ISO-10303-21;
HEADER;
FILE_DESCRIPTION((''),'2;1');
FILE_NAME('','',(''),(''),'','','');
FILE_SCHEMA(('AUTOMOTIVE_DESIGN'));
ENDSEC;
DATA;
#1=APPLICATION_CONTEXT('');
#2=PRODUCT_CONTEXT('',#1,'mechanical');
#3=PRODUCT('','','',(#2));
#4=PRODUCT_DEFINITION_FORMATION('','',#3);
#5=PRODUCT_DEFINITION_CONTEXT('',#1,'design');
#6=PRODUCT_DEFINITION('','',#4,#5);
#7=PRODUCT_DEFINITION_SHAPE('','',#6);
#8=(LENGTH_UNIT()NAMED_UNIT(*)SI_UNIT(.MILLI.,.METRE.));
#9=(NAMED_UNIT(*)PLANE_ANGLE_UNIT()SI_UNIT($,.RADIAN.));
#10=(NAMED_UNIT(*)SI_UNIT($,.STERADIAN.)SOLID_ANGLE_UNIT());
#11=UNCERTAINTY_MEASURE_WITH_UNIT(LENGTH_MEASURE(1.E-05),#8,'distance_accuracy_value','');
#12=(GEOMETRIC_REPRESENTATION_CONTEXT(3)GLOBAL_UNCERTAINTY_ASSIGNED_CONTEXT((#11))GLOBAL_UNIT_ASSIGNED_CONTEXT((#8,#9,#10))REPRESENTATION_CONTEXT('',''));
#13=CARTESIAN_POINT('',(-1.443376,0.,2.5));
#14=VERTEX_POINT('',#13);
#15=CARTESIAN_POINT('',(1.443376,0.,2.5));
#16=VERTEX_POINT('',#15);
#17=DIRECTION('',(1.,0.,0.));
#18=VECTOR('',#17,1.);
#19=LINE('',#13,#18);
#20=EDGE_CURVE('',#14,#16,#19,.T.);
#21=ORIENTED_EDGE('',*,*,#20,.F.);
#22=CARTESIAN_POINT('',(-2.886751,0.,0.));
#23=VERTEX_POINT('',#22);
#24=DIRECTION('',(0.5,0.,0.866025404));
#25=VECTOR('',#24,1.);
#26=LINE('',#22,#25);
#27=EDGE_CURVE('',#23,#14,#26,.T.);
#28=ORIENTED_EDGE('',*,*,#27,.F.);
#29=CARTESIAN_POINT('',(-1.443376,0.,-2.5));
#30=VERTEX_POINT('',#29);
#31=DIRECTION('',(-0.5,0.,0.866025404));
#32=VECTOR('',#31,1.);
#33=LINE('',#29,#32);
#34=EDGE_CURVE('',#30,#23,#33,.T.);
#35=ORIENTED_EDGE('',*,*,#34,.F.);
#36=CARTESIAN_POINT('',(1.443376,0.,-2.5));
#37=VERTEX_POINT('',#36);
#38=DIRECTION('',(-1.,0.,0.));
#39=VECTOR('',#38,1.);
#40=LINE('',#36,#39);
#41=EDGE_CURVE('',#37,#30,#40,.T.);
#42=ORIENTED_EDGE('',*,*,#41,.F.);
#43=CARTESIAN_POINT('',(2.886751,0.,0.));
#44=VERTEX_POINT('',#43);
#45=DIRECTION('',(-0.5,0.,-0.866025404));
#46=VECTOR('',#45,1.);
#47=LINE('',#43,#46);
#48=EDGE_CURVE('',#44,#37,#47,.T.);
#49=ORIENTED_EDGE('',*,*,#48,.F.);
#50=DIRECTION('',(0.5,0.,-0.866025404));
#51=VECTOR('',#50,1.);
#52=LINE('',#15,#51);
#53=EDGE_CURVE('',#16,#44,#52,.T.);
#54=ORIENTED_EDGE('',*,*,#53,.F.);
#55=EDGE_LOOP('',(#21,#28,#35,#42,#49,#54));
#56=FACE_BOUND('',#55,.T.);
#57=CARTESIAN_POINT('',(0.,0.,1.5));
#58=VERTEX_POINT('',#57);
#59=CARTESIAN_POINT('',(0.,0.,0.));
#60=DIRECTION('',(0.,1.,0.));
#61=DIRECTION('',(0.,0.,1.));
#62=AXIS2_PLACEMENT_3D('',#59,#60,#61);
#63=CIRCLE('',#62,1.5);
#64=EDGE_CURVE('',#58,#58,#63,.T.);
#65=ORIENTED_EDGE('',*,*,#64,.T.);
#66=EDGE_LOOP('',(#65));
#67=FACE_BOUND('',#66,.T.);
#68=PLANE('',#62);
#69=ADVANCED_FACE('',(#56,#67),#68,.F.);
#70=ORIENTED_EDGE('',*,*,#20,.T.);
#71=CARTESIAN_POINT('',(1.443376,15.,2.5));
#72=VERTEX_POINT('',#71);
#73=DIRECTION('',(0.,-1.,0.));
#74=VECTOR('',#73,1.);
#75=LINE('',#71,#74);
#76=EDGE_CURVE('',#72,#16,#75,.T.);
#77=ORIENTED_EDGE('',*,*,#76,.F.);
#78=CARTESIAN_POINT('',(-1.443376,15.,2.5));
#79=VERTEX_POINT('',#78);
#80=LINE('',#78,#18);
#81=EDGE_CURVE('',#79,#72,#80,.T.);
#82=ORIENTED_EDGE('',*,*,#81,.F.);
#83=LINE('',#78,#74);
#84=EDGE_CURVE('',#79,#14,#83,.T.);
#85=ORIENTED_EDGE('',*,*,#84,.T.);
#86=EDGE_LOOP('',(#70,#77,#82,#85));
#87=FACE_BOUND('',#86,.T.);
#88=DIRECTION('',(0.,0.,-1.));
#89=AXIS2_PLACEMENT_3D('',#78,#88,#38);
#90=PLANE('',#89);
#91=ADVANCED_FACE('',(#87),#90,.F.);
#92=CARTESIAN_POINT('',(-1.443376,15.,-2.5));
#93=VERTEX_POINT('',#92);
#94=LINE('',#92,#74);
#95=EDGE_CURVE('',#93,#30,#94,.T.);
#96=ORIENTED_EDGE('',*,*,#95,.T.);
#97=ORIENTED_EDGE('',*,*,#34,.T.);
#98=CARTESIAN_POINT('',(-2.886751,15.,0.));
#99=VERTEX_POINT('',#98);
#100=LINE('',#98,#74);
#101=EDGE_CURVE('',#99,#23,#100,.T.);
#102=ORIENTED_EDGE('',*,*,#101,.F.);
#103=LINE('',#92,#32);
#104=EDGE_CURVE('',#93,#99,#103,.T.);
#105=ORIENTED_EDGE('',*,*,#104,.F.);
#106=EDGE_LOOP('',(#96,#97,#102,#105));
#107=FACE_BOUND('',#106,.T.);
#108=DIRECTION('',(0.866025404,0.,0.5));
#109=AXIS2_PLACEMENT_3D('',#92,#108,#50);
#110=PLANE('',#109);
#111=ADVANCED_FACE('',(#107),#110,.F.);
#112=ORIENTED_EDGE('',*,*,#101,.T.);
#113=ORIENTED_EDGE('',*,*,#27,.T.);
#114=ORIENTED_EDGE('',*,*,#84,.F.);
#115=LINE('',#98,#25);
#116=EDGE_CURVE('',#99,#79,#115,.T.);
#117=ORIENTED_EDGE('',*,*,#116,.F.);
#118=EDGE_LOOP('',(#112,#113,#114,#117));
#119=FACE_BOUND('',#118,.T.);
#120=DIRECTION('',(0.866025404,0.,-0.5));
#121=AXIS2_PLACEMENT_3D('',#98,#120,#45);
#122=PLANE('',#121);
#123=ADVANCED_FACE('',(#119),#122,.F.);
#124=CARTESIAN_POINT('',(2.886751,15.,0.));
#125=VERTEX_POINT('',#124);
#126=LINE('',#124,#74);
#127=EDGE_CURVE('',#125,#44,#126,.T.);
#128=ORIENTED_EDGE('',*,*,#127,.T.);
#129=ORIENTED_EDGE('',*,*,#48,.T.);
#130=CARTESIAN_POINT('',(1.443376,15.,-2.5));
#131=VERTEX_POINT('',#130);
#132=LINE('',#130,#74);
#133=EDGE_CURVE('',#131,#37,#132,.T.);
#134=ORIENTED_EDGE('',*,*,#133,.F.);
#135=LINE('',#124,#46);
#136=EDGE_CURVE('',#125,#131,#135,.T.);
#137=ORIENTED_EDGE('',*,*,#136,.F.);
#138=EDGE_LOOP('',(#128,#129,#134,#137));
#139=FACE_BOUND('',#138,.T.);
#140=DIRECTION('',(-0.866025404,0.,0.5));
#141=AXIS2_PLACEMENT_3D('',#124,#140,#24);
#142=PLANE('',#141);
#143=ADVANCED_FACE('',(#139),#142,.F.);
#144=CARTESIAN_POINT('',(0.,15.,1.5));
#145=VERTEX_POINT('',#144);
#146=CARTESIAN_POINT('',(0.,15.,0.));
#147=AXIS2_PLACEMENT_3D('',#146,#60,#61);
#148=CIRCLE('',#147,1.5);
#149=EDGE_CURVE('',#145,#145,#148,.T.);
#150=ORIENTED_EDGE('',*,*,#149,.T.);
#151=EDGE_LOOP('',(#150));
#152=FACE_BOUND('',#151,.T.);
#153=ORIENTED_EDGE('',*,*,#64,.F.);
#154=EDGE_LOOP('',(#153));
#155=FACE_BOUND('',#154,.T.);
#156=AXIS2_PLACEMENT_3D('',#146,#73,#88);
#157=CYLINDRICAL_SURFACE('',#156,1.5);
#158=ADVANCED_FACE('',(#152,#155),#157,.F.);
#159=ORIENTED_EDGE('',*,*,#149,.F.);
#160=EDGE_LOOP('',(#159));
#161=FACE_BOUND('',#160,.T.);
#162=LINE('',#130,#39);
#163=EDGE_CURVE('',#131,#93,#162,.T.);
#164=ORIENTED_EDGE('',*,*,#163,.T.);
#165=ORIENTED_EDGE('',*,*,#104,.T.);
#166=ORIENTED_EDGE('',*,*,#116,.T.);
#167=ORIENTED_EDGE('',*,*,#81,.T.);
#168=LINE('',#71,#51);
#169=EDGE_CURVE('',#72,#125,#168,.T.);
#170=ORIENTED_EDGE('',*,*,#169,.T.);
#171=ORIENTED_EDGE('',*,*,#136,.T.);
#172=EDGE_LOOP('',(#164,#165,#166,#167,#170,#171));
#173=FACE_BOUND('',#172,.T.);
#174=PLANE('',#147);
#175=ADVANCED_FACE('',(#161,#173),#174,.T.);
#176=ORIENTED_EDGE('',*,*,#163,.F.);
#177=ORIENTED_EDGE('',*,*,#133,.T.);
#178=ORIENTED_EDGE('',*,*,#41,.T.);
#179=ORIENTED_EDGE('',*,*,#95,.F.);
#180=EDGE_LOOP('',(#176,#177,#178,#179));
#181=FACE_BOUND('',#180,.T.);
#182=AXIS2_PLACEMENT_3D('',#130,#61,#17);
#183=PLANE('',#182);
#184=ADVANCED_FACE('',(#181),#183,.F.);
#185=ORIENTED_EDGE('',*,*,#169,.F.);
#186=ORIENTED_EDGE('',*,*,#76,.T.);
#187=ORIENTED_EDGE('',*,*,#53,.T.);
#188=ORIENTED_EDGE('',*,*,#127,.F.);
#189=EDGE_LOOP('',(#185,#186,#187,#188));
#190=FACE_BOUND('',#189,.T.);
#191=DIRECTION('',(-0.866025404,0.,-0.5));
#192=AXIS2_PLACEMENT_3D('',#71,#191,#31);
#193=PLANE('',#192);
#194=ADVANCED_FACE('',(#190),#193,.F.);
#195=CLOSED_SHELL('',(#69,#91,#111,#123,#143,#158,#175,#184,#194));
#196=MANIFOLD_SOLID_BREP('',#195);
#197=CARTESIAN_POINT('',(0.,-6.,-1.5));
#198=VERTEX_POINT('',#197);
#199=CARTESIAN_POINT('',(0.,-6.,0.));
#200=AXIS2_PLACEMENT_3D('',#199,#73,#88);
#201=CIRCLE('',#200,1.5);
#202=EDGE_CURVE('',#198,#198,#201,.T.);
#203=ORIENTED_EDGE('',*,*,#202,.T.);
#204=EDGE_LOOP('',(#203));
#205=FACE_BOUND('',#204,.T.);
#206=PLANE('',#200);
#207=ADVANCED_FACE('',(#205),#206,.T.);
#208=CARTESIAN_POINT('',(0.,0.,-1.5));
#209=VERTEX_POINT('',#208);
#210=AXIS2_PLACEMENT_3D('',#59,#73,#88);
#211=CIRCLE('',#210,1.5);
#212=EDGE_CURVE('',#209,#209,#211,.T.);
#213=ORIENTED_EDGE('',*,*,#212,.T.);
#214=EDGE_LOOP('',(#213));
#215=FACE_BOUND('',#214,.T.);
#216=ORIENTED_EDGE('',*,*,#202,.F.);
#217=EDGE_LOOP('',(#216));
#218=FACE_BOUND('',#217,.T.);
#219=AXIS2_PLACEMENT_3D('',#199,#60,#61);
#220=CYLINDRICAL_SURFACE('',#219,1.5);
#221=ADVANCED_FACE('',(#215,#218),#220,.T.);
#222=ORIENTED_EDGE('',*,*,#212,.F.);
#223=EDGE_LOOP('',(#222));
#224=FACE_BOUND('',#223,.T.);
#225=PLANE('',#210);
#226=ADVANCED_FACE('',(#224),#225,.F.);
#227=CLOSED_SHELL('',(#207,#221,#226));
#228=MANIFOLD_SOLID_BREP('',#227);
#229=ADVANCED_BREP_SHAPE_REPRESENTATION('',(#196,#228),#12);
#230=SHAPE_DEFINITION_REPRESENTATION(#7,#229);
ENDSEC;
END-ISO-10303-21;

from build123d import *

# Parameters (mm, degrees)
CROQUIS1_R              = 1.5
SALIENTE_EXTRUIR1_DEPTH = 15
CROQUIS2_R              = 1.5
SALIENTE_EXTRUIR2_DEPTH = 6


with BuildPart() as part:
    # Croquis1 → Saliente-Extruir1 (new body)
    with BuildSketch(Plane(origin=(0, 0, 0), x_dir=(1, 0, 0), z_dir=(0, 1, 0))):
        Polygon((1.443375673, -2.5), (2.886751346, 0), (1.443375673, 2.5), (-1.443375673, 2.5), (-2.886751346, 0), (-1.443375673, -2.5), align=None)
        with Locations(Location((0, 0, 0), (0, 0, 270))):
            Circle(CROQUIS1_R, mode=Mode.SUBTRACT)
    extrude(amount=SALIENTE_EXTRUIR1_DEPTH)


with BuildPart() as body_2:
    # Croquis2 → Saliente-Extruir2 (new body)
    with BuildSketch(Plane.XZ):
        with Locations(Location((0, 0, 0), (0, 0, 270))):
            Circle(CROQUIS2_R)
    extrude(amount=SALIENTE_EXTRUIR2_DEPTH)


solid = Compound([part.part, body_2.part])
